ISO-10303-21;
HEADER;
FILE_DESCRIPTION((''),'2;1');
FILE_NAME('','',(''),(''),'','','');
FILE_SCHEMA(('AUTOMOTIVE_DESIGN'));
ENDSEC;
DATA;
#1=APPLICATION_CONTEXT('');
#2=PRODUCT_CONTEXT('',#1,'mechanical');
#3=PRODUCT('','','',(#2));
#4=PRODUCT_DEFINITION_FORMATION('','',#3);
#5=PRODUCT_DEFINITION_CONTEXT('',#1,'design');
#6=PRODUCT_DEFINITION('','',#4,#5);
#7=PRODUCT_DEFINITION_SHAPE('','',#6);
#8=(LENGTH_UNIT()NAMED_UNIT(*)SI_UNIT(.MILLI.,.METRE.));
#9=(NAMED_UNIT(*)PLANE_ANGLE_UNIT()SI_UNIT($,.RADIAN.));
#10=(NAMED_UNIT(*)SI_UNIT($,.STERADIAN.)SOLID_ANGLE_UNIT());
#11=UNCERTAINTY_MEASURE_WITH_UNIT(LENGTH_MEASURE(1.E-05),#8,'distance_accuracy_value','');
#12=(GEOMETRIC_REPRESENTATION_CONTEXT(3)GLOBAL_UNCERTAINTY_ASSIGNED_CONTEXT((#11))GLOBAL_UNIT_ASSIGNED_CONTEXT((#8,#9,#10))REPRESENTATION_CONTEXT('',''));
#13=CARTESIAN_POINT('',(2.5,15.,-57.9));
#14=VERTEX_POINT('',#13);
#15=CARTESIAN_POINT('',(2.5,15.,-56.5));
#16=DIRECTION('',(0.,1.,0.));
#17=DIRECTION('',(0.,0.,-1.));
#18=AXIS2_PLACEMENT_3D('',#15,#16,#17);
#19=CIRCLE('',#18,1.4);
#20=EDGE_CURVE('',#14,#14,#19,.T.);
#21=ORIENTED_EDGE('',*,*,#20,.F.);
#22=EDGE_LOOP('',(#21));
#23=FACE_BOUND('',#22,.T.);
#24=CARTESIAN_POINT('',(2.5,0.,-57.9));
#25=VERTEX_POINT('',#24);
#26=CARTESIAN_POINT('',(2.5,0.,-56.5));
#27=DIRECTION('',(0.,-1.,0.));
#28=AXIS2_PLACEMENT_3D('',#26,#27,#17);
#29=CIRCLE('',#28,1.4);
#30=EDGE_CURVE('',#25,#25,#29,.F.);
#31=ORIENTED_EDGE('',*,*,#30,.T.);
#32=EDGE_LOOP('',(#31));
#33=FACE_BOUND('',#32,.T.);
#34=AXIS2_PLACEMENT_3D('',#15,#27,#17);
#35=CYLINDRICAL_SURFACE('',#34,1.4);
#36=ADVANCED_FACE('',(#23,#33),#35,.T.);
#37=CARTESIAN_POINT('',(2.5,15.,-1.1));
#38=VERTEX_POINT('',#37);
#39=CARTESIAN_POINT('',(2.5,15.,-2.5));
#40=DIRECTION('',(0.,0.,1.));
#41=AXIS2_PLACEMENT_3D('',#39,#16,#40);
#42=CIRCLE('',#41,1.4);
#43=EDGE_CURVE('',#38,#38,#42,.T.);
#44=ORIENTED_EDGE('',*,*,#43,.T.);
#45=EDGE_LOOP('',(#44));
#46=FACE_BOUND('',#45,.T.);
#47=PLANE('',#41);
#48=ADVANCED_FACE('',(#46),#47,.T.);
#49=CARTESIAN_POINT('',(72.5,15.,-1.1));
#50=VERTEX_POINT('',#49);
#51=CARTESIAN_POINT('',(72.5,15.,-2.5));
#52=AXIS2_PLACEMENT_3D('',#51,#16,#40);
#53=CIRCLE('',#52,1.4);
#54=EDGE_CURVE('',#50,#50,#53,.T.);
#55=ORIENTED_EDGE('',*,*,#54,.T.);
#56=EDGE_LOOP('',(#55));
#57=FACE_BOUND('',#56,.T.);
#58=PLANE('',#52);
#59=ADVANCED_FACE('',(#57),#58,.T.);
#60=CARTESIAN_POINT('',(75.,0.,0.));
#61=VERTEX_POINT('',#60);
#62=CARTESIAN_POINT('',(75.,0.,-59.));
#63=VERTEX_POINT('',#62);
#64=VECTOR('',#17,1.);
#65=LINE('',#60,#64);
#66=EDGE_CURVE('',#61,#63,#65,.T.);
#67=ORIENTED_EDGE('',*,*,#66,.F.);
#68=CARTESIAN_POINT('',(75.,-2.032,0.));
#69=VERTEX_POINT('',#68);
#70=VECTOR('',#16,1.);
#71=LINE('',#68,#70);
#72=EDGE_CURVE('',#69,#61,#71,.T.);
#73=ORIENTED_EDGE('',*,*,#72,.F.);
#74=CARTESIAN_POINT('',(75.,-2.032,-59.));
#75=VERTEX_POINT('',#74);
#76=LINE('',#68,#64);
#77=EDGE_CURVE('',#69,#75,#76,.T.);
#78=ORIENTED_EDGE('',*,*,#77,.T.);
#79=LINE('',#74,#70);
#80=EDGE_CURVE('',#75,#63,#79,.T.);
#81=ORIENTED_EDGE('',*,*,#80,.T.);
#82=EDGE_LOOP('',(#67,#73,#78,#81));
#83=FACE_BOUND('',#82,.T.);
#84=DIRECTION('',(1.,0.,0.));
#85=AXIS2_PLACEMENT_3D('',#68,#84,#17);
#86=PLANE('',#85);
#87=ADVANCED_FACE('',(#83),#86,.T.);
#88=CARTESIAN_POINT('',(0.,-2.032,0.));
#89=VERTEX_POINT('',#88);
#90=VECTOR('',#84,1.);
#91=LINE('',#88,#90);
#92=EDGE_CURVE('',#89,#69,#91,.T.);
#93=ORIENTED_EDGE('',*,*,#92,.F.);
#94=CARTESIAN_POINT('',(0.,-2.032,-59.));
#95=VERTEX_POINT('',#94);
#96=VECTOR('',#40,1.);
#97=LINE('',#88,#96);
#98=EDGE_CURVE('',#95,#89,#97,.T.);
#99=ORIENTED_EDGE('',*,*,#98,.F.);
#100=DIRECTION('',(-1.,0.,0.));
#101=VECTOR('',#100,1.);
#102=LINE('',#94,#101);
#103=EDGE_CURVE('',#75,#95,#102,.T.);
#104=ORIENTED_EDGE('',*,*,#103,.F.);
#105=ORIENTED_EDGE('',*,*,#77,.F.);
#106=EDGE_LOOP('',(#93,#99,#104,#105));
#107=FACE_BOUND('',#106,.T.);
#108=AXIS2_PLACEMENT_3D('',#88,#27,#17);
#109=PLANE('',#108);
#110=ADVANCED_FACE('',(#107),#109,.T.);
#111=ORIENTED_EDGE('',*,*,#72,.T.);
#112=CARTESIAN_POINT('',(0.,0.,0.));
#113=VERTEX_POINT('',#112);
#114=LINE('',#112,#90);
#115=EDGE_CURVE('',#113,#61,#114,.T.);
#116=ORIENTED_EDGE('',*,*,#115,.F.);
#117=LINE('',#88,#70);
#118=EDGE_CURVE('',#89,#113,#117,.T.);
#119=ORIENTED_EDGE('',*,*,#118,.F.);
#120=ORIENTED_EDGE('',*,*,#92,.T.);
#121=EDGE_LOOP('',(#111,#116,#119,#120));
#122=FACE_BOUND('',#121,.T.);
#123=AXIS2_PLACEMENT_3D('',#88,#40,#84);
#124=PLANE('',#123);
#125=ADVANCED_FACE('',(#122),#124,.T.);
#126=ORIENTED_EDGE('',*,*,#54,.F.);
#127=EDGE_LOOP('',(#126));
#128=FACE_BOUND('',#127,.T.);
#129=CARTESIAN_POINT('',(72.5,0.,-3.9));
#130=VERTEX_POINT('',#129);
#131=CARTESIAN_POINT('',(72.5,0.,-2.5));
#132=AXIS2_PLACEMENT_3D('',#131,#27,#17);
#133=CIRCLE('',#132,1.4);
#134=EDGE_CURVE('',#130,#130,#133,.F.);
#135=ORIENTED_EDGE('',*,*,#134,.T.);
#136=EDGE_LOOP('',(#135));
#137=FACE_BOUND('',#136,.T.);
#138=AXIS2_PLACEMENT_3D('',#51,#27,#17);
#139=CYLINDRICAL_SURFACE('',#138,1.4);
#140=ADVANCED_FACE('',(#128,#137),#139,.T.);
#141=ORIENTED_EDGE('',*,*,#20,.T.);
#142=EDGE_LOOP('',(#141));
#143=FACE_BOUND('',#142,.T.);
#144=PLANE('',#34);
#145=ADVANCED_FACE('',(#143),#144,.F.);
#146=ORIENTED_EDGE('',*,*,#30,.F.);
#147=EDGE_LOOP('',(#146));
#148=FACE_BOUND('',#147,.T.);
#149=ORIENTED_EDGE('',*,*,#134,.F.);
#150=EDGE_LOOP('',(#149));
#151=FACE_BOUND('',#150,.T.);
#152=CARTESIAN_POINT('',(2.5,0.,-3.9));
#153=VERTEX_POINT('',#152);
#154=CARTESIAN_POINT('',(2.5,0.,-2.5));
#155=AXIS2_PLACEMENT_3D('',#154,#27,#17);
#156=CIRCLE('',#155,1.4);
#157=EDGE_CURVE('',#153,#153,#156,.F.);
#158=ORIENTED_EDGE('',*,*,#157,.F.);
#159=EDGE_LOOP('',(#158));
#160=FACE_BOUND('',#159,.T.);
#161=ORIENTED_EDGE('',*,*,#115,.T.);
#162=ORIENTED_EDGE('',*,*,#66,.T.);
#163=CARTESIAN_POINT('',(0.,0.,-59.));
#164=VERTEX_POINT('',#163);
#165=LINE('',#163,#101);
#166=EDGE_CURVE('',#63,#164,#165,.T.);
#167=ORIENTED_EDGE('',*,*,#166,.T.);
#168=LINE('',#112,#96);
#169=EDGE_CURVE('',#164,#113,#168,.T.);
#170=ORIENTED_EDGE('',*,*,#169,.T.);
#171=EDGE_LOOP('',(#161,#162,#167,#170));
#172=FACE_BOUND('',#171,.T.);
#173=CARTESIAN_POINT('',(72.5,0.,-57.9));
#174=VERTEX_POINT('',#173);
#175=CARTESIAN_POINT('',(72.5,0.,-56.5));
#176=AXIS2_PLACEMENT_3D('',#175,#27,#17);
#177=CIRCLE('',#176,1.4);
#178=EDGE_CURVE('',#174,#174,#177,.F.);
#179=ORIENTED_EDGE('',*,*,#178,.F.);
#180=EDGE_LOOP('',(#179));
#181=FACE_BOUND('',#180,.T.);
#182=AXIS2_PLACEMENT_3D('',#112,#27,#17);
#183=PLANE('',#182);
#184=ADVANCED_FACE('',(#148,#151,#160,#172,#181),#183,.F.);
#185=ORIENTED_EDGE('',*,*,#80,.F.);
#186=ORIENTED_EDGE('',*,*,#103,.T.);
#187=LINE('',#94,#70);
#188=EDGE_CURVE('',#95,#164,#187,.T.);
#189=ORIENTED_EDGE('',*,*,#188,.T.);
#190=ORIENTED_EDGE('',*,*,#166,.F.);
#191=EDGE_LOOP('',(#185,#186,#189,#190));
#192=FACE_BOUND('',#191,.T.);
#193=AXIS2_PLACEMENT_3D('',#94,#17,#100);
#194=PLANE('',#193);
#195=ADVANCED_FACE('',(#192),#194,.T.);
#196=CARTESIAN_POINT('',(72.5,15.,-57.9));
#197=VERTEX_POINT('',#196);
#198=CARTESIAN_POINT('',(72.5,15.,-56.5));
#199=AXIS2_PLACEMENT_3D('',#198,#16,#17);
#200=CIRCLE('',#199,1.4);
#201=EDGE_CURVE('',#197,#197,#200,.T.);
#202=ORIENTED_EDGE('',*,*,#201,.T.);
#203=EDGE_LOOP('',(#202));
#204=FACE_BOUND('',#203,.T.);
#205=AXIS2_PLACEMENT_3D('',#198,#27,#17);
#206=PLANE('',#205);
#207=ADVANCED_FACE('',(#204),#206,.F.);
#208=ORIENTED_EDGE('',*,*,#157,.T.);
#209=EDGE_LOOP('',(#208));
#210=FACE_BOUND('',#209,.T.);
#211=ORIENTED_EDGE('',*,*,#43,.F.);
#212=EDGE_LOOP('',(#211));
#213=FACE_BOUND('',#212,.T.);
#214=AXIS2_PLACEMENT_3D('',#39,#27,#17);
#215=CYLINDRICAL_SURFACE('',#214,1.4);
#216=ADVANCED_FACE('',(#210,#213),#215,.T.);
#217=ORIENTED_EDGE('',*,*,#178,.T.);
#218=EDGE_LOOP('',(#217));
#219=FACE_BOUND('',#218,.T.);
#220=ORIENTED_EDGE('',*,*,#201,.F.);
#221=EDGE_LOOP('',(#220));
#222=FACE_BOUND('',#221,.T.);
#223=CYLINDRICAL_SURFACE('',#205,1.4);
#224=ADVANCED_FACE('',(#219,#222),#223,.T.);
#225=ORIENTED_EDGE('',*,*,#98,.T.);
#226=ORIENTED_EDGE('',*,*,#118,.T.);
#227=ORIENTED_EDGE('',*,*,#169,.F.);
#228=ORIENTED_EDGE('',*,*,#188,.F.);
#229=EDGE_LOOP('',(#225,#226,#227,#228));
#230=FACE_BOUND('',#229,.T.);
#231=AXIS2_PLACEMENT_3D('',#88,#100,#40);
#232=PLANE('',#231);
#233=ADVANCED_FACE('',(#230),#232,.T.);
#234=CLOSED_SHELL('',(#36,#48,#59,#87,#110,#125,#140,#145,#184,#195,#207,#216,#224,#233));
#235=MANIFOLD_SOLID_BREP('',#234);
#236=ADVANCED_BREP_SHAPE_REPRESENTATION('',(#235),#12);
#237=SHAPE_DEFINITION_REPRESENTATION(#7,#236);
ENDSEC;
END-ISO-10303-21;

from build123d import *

# Parameters (mm, degrees)
SKETCH1_W           = 75
SKETCH1_H           = 59
BOSS_EXTRUDE1_DEPTH = 2.032
SKETCH2_R           = 1.399999994
SKETCH2_R_2         = 1.4
BOSS_EXTRUDE2_DEPTH = 15


with BuildPart() as part:
    # Sketch1 → Boss-Extrude1 (new body)
    with BuildSketch(Plane(origin=(0, 0, 0), x_dir=(1, 0, 0), z_dir=(0, 1, 0))):
        with Locations((37.5, 29.5)):
            Rectangle(SKETCH1_W, SKETCH1_H)
    extrude(amount=-BOSS_EXTRUDE1_DEPTH)

    # Sketch2 → Boss-Extrude2 (add)
    with BuildSketch(Plane(origin=(0, 0, 0), x_dir=(1, 0, 0), z_dir=(0, 1, 0))):
        with Locations((2.5, 2.5)):
            Circle(SKETCH2_R)
        with Locations((72.5, 2.5)):
            Circle(SKETCH2_R_2)
        with Locations((72.5, 56.5)):
            Circle(SKETCH2_R_2)
        with Locations((2.5, 56.5)):
            Circle(SKETCH2_R)
    extrude(amount=BOSS_EXTRUDE2_DEPTH)


solid = part.part
